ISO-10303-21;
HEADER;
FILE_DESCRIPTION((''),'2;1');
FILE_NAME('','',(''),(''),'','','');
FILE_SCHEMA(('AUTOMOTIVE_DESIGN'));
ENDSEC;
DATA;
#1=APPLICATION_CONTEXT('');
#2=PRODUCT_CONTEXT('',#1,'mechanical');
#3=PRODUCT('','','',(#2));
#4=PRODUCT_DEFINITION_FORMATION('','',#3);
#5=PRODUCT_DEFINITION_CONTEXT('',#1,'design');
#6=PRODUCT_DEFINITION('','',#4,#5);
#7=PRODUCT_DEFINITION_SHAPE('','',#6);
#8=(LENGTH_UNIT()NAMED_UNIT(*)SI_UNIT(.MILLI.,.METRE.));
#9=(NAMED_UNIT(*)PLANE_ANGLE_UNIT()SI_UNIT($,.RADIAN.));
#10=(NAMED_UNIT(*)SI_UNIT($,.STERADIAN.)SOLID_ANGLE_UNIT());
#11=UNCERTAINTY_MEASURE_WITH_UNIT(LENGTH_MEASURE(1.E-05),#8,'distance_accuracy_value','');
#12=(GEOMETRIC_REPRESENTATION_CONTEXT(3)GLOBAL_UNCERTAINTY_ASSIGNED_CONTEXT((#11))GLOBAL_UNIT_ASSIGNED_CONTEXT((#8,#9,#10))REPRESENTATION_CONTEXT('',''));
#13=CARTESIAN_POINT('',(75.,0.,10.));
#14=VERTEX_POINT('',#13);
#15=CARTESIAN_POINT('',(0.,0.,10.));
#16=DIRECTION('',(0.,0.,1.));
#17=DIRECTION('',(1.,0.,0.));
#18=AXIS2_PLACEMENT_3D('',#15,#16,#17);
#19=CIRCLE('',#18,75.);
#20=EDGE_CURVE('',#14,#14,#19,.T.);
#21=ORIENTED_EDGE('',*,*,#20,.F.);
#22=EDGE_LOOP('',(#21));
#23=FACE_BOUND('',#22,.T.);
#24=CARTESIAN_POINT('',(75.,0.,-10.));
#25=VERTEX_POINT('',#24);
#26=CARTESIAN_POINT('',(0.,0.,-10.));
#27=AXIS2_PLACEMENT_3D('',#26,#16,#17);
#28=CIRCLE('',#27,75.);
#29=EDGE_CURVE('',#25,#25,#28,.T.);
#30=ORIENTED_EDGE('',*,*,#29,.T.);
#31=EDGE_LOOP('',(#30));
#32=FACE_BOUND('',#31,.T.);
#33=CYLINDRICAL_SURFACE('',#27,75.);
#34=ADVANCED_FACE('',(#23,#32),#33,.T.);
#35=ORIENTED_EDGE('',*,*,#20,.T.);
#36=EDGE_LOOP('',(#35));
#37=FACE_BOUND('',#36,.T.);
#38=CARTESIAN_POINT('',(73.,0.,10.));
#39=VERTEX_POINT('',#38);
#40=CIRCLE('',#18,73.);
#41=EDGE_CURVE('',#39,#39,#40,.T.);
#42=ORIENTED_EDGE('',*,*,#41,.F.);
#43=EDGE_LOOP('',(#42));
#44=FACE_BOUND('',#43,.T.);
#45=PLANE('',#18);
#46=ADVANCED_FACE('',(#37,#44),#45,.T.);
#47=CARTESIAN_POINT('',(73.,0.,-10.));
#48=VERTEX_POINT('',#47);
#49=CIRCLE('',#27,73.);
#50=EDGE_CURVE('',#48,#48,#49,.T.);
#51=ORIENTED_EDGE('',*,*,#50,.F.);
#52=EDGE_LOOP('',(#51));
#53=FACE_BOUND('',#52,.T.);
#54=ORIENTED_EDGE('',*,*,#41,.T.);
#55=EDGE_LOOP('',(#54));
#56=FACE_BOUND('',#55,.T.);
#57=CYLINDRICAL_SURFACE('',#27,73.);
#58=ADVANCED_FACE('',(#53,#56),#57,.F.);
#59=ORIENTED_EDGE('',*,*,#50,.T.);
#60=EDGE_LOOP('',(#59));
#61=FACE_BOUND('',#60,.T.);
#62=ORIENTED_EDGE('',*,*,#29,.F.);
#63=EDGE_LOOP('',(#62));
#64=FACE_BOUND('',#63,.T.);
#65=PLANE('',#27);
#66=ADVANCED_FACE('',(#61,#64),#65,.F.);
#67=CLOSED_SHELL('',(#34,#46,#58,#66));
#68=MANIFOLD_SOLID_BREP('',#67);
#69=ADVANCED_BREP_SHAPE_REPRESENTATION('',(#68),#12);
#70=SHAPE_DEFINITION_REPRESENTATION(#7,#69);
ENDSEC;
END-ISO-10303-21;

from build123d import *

# Parameters (mm, degrees)
BOSS_EXTRUDE1_DEPTH      = 10
BOSS_EXTRUDE1_DEPTH_BACK = 10
SKETCH1_R                = 75
SKETCH1_R_2              = 73


with BuildPart() as part:
    # Sketch1 → Boss-Extrude1 (new, two sides: drawn at the far end of the back side and taken through both)
    with BuildSketch(Plane.XY.offset(-BOSS_EXTRUDE1_DEPTH_BACK)):
        Circle(SKETCH1_R)
        Circle(SKETCH1_R_2, mode=Mode.SUBTRACT)
    extrude(amount=BOSS_EXTRUDE1_DEPTH + BOSS_EXTRUDE1_DEPTH_BACK)


solid = part.part
